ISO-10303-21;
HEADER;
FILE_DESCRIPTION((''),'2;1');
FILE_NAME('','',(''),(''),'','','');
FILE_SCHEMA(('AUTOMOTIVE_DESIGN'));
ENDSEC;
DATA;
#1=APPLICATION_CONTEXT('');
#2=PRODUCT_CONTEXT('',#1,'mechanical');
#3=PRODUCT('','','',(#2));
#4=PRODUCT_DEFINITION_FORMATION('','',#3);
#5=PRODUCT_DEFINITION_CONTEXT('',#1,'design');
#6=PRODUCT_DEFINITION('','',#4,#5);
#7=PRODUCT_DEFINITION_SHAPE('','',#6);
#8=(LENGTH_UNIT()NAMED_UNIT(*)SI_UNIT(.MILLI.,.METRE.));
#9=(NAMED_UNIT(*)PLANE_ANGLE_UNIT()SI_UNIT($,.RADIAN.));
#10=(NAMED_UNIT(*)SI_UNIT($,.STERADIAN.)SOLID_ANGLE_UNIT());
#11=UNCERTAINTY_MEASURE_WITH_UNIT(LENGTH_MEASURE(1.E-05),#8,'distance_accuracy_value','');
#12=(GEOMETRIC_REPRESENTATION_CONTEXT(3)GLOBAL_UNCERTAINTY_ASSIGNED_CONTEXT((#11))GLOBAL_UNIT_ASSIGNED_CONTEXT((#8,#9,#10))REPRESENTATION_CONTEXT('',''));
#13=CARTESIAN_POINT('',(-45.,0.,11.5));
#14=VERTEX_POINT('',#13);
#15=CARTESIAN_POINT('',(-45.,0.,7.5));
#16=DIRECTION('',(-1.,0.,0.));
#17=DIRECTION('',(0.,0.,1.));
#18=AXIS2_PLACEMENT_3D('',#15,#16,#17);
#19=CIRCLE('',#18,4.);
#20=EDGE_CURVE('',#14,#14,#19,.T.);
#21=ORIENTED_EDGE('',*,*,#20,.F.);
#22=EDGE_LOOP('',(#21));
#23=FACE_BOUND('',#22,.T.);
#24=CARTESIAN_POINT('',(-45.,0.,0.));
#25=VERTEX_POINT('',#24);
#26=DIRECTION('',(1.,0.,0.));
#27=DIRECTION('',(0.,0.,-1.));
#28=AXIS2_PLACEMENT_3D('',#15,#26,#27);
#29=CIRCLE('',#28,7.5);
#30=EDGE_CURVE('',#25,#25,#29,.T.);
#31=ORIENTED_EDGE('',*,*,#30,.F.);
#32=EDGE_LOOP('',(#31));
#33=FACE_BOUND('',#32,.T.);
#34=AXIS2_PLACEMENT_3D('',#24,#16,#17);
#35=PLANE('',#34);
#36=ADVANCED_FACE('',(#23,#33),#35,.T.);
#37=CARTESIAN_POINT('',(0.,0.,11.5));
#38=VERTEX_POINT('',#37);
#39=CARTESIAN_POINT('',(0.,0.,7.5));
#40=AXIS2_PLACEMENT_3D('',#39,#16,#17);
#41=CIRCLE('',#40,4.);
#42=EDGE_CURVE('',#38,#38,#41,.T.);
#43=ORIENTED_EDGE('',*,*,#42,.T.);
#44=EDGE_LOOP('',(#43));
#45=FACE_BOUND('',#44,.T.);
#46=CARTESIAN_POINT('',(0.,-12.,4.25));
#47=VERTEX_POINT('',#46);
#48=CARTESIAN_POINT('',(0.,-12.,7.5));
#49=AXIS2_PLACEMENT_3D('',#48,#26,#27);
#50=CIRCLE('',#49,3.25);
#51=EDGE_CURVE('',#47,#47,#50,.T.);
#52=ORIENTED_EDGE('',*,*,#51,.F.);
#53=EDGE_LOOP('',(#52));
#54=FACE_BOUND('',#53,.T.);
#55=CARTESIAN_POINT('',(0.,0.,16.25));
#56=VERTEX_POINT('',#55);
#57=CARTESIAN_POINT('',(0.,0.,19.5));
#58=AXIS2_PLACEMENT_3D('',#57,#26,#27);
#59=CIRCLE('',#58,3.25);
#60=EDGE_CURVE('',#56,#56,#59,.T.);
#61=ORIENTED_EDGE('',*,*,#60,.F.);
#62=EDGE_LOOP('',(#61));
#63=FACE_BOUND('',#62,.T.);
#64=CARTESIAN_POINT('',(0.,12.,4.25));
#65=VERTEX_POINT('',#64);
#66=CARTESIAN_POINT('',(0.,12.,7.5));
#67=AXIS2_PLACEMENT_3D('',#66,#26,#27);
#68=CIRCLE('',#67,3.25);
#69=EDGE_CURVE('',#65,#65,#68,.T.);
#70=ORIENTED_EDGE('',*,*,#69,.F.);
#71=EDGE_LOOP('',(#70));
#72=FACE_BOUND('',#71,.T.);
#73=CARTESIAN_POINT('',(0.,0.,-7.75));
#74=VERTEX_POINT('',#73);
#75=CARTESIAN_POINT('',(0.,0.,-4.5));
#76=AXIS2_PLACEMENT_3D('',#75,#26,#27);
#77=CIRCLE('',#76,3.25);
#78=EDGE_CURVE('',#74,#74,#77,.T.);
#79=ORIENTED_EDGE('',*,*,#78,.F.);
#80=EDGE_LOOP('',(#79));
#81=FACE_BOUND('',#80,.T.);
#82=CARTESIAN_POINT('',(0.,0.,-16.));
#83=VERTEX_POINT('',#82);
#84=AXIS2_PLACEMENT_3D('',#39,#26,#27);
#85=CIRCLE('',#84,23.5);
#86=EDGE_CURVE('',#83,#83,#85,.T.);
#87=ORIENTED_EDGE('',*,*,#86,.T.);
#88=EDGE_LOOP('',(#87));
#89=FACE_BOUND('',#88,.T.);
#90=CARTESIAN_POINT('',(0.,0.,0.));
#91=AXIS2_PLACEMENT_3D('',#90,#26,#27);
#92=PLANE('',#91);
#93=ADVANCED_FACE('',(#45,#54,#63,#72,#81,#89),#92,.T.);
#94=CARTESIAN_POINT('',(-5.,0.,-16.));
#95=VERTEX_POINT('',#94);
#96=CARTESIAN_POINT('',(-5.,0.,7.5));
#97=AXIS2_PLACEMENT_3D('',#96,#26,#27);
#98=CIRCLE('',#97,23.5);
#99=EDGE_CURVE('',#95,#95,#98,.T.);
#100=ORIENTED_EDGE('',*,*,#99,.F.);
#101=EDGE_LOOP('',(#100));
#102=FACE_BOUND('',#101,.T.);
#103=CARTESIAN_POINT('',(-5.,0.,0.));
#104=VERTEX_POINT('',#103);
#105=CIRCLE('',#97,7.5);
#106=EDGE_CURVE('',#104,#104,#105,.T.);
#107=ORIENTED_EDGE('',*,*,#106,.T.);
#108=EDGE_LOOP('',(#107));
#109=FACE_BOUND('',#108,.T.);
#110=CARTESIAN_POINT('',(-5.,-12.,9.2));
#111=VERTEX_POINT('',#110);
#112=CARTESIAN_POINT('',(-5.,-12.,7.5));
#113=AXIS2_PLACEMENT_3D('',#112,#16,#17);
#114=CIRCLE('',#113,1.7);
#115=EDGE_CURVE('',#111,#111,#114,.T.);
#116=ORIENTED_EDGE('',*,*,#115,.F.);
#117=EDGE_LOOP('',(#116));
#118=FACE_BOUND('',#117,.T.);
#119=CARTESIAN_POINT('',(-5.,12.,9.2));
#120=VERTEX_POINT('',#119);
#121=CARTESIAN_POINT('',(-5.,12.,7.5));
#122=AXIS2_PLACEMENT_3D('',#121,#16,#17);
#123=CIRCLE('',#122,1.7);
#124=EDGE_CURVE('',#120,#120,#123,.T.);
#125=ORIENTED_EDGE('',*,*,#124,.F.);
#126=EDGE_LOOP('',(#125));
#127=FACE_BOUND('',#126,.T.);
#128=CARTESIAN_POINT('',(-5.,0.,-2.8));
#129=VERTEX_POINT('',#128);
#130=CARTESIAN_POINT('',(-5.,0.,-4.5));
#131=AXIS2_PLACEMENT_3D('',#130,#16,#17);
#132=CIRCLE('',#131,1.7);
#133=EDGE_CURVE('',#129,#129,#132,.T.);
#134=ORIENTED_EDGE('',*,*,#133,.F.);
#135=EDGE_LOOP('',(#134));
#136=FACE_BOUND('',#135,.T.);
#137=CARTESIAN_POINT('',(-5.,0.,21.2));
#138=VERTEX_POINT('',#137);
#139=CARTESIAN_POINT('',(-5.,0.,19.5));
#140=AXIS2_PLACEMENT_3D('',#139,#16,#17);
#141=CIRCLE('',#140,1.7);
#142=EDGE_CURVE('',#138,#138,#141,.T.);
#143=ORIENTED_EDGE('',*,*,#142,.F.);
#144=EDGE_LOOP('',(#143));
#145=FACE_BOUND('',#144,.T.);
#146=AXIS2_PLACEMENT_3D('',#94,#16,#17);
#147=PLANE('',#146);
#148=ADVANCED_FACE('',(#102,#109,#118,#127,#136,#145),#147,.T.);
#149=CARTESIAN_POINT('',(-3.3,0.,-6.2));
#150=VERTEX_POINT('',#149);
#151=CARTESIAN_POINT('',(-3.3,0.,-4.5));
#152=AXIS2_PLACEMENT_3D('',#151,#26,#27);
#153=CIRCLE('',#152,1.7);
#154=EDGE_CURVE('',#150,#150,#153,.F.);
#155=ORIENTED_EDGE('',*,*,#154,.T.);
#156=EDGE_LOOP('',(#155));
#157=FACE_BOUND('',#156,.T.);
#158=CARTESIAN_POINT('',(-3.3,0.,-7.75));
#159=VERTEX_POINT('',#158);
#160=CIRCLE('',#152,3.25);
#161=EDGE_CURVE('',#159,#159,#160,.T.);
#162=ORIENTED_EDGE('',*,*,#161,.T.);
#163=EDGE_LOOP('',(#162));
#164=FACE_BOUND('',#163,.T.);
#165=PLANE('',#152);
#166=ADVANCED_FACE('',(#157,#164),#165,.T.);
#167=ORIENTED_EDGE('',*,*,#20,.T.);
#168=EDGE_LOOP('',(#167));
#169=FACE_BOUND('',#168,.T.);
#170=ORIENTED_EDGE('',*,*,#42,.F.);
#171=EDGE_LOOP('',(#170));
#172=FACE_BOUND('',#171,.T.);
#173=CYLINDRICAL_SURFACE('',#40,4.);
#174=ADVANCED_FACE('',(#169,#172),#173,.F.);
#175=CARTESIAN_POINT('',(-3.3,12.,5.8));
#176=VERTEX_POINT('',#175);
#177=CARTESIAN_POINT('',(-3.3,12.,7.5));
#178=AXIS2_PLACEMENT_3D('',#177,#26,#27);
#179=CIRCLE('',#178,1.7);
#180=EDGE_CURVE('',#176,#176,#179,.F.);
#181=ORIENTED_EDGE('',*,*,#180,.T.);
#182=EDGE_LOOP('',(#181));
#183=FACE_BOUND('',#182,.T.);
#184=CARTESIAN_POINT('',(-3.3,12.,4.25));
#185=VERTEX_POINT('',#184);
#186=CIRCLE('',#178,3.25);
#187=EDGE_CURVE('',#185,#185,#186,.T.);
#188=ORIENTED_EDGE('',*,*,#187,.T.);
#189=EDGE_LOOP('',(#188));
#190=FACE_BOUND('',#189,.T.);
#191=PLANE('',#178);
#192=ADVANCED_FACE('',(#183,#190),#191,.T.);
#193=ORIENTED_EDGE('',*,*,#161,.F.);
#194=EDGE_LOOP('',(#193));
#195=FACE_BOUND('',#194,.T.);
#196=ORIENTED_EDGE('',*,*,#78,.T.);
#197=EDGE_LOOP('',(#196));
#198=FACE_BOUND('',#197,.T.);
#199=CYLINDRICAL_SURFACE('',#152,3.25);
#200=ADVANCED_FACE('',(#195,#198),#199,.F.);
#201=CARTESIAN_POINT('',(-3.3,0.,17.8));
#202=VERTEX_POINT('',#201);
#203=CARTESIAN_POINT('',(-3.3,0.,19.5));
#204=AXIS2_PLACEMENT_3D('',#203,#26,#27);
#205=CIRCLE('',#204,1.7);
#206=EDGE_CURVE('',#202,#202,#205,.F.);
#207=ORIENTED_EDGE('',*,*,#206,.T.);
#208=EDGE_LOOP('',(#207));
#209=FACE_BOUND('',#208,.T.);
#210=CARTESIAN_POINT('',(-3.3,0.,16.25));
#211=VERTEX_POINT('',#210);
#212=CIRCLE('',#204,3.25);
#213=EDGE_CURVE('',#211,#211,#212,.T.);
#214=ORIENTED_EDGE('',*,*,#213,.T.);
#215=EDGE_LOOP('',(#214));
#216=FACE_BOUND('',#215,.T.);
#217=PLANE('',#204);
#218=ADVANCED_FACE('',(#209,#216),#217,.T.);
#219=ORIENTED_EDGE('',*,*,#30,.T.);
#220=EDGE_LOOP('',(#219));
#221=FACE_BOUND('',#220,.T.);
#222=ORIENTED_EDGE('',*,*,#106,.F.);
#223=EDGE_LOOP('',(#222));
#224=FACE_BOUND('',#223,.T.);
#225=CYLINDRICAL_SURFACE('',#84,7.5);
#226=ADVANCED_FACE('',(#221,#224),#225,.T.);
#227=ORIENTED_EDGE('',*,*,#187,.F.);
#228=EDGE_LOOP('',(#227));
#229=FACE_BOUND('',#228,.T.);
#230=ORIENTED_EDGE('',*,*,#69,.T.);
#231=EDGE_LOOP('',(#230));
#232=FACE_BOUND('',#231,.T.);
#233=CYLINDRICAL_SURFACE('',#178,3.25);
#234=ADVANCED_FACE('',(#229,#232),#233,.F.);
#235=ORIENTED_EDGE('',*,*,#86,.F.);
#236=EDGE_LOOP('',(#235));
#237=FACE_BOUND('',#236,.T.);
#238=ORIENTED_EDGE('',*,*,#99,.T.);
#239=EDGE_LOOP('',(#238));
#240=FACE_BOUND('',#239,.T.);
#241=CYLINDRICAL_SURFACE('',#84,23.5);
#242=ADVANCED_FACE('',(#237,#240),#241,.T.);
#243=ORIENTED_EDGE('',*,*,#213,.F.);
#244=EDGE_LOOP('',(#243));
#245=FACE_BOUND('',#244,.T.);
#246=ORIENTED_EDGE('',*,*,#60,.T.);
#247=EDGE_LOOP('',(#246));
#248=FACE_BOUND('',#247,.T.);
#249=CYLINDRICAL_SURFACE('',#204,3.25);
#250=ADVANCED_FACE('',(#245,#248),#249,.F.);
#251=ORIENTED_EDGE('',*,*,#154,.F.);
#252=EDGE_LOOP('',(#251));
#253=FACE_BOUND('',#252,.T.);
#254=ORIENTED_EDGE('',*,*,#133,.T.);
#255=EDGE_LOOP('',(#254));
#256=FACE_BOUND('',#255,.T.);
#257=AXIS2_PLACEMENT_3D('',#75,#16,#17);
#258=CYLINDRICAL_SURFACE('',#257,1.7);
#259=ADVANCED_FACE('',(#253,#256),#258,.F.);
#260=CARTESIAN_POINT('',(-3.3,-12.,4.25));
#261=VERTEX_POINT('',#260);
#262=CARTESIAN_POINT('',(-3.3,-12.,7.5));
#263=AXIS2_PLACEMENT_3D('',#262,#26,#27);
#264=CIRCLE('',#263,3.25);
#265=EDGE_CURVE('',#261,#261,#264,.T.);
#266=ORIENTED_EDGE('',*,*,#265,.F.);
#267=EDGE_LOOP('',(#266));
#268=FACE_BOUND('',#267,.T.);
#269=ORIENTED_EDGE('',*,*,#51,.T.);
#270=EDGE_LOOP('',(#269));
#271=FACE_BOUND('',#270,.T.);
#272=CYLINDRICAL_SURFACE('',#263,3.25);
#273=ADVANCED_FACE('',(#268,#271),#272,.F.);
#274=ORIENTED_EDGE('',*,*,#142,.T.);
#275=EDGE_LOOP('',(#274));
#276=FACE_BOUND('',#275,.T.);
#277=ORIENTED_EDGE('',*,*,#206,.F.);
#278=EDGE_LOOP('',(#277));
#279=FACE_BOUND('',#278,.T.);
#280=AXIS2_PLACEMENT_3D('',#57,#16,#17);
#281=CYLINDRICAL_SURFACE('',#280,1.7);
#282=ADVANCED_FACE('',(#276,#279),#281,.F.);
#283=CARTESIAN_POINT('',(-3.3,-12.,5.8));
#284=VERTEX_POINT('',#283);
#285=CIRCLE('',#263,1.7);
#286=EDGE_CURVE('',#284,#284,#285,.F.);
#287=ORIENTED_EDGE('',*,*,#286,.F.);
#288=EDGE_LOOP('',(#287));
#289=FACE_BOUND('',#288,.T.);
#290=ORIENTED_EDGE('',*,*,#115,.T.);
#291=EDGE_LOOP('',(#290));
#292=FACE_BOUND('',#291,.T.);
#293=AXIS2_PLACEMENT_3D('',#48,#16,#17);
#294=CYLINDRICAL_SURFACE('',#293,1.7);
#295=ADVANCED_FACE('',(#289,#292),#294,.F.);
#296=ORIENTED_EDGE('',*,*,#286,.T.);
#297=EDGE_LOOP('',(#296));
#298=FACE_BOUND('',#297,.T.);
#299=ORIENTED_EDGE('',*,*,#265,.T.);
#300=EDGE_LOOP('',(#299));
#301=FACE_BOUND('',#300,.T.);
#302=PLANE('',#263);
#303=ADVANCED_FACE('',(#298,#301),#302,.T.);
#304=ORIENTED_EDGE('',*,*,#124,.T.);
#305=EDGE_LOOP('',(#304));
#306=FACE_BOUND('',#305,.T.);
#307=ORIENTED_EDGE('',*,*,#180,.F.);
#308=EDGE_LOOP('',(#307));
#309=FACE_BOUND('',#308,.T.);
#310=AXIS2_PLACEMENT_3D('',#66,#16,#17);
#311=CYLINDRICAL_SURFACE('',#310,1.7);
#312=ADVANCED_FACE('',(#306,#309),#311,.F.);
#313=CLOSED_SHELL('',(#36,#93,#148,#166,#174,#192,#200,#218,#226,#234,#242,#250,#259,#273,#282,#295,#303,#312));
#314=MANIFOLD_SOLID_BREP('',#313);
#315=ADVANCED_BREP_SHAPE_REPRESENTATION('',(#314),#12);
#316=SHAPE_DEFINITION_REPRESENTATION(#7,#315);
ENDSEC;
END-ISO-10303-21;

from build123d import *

# Parameters (mm, degrees)
SKETCH_2_R          = 1.7
CUT_EXTRUDE_1_DEPTH = 6
SKETCH_3_R          = 3.25
CUT_EXTRUDE_2_DEPTH = 3.3
SKETCH_4_R          = 4
CUT_EXTRUDE_3_DEPTH = 46


with BuildPart() as part:
    # 草图1 → 旋转1 (revolve)
    with BuildSketch(Plane(origin=(0, 0, 0), x_dir=(1, 0, 0), z_dir=(0, 1, 0))):
        Polygon((0, 0), (0, 16), (-5, 16), (-5, 0), (-45, 0), (-45, -7.5), (0, -7.5), align=None)
    revolve(axis=Axis((0, 0, 7.5), (-1, 0, 0)))

    # 草图2 → 切除-拉伸1 (cut, through all)
    with BuildSketch(Plane.ZY.offset(5)):
        with Locations((7.5, 12)):
            Circle(SKETCH_2_R)
        with Locations((19.5, 0)):
            Circle(SKETCH_2_R)
        with Locations((7.5, -12)):
            Circle(SKETCH_2_R)
        with Locations((-4.5, 0)):
            Circle(SKETCH_2_R)
    extrude(amount=-CUT_EXTRUDE_1_DEPTH, mode=Mode.SUBTRACT)

    # 草图3 → 切除-拉伸2 (cut)
    with BuildSketch(Plane(origin=(0, 0, 0), x_dir=(0, 0, -1), z_dir=(1, 0, 0))):
        with Locations((-7.5, 12)):
            Circle(SKETCH_3_R)
        with Locations((-19.5, 0)):
            Circle(SKETCH_3_R)
        with Locations((4.5, 0)):
            Circle(SKETCH_3_R)
        with Locations((-7.5, -12)):
            Circle(SKETCH_3_R)
    extrude(amount=-CUT_EXTRUDE_2_DEPTH, mode=Mode.SUBTRACT)

    # 草图4 → 切除-拉伸3 (cut, through all)
    with BuildSketch(Plane.ZY.offset(45)):
        with Locations((7.5, 0)):
            Circle(SKETCH_4_R)
    extrude(amount=-CUT_EXTRUDE_3_DEPTH, mode=Mode.SUBTRACT)


solid = part.part
